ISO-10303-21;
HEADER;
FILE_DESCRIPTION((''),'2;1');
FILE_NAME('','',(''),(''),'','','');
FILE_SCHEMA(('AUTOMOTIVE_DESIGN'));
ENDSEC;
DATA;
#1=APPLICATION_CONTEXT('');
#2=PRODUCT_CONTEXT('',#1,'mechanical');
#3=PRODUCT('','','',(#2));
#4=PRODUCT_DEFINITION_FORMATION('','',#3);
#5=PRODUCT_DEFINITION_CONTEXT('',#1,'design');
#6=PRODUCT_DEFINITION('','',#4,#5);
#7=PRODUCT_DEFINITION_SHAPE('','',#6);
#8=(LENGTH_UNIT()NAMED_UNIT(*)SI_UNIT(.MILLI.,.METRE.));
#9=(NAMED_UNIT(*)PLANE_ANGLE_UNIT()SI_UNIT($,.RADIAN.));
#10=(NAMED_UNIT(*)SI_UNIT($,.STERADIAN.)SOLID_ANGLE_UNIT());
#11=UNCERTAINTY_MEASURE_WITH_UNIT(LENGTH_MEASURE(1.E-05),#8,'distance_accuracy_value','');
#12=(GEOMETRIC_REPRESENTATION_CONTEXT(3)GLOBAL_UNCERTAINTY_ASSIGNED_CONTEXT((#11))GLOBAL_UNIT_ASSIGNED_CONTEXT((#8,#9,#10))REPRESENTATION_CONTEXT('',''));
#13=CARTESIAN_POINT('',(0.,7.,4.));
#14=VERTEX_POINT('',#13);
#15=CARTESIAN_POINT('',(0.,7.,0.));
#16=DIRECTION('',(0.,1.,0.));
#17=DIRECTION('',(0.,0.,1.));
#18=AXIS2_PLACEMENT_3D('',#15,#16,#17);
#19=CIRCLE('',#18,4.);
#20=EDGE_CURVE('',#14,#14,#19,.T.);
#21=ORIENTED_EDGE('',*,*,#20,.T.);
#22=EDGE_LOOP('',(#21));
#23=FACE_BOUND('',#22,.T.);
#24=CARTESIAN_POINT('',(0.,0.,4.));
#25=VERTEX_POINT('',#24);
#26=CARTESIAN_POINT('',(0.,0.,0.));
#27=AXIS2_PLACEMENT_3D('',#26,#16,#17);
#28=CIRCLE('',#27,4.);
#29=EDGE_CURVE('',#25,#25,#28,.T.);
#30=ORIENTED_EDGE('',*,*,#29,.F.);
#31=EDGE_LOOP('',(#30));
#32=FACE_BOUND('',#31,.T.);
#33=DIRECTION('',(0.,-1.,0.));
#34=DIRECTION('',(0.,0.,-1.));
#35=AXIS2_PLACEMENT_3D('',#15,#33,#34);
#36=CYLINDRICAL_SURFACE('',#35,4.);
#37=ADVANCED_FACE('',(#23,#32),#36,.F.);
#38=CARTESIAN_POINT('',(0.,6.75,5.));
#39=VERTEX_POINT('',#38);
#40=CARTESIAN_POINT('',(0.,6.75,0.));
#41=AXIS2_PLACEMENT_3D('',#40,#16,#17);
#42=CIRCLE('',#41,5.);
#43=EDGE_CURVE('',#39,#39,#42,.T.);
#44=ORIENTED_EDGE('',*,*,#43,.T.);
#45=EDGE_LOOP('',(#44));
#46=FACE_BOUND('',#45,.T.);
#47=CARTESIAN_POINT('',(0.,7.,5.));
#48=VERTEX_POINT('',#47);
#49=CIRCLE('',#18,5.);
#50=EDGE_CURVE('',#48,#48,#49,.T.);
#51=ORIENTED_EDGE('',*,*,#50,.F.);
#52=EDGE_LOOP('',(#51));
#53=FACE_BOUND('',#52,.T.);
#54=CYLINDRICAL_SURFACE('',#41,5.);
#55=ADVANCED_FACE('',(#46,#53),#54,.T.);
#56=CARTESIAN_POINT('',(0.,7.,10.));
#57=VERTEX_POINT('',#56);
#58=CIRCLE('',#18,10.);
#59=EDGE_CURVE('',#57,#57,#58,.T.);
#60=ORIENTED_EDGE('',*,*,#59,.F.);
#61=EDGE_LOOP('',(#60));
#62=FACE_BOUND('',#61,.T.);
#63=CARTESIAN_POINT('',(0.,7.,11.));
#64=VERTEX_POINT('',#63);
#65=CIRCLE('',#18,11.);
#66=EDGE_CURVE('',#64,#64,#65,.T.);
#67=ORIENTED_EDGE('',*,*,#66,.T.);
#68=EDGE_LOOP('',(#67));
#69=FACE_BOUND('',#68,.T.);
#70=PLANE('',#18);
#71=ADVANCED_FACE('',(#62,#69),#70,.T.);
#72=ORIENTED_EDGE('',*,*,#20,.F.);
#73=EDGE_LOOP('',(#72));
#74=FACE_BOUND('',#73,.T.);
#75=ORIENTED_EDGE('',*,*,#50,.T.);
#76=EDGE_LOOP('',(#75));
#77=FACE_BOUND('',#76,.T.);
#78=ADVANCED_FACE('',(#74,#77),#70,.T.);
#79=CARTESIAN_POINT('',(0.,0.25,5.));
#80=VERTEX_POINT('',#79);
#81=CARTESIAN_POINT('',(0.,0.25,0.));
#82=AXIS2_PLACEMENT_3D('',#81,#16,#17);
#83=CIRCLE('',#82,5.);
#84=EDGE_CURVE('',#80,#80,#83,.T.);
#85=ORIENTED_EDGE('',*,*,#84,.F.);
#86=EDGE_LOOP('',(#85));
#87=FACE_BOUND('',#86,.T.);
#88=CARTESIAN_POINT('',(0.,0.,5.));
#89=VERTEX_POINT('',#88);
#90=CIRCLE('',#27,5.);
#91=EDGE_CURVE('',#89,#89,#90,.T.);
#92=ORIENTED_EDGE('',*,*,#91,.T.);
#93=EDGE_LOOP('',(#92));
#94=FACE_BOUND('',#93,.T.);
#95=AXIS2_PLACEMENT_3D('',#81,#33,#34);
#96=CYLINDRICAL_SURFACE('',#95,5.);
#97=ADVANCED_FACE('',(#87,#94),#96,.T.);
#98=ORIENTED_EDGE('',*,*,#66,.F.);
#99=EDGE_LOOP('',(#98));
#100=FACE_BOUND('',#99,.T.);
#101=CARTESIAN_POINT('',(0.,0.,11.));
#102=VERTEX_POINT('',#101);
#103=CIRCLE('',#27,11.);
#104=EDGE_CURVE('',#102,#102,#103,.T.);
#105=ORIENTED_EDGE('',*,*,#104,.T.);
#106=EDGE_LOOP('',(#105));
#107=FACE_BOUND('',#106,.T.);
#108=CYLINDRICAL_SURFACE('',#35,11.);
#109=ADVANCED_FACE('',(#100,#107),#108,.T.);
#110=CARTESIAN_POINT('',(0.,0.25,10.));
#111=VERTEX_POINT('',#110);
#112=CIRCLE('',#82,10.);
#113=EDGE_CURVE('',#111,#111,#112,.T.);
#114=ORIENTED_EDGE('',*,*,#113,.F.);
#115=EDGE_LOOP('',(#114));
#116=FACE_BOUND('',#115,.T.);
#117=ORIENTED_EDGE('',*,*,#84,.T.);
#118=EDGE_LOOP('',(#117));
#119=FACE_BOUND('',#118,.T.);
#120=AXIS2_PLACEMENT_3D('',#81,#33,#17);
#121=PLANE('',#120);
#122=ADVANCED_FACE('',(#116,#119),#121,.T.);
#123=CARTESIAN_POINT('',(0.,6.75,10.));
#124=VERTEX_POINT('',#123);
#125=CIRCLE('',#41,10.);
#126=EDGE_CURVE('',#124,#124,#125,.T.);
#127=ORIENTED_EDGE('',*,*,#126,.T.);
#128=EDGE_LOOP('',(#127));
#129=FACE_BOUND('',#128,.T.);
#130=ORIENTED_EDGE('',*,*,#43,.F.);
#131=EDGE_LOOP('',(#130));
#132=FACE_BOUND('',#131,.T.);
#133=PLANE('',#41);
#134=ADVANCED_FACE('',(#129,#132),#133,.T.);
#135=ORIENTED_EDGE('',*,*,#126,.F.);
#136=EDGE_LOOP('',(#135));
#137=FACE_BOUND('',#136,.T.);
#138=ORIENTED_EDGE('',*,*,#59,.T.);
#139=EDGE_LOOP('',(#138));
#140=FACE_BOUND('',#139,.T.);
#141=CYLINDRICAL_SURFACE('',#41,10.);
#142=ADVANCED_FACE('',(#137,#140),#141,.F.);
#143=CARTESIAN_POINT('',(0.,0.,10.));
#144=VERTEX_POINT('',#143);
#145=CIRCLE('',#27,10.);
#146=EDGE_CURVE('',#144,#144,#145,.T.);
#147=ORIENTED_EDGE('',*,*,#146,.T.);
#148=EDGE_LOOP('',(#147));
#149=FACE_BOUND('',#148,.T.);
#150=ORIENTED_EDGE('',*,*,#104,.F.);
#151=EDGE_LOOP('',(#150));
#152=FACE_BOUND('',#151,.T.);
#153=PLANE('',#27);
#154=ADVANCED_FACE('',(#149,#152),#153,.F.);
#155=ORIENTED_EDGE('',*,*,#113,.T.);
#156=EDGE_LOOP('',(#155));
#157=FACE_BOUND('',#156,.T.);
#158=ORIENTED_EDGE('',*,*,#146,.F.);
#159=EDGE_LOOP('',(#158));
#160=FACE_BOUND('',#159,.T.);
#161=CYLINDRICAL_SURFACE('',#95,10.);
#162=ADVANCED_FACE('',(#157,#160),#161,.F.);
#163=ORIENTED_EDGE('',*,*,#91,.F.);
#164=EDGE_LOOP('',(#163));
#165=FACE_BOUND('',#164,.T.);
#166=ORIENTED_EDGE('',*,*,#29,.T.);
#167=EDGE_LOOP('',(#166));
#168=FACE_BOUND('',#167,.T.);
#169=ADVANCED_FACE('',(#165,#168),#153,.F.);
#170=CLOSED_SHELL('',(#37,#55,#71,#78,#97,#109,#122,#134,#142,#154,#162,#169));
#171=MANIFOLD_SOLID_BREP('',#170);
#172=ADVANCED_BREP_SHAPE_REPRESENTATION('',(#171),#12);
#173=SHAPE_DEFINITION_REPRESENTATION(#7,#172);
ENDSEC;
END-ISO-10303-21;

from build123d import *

# Parameters (mm, degrees)
SKETCH1_R           = 11
SKETCH1_R_2         = 4
BOSS_EXTRUDE1_DEPTH = 7
SKETCH2_R           = 10
SKETCH2_R_2         = 5
CUT_EXTRUDE1_DEPTH  = 0.25


with BuildPart() as part:
    # Sketch1 → Boss-Extrude1 (new body)
    with BuildSketch(Plane(origin=(0, 0, 0), x_dir=(1, 0, 0), z_dir=(0, 1, 0))):
        Circle(SKETCH1_R)
        Circle(SKETCH1_R_2, mode=Mode.SUBTRACT)
    extrude(amount=BOSS_EXTRUDE1_DEPTH)

    # Sketch2 → Cut-Extrude1 (cut)
    with BuildSketch(Plane(origin=(0, 7, 0), x_dir=(1, 0, 0), z_dir=(0, 1, 0))):
        Circle(SKETCH2_R)
        Circle(SKETCH2_R_2, mode=Mode.SUBTRACT)
    cut_extrude1 = extrude(amount=-CUT_EXTRUDE1_DEPTH, mode=Mode.SUBTRACT)

    # Mirror1: Cut-Extrude1 across plane
    add(cut_extrude1.mirror(Plane.ZX.offset(3.5)), mode=Mode.SUBTRACT)


solid = part.part
